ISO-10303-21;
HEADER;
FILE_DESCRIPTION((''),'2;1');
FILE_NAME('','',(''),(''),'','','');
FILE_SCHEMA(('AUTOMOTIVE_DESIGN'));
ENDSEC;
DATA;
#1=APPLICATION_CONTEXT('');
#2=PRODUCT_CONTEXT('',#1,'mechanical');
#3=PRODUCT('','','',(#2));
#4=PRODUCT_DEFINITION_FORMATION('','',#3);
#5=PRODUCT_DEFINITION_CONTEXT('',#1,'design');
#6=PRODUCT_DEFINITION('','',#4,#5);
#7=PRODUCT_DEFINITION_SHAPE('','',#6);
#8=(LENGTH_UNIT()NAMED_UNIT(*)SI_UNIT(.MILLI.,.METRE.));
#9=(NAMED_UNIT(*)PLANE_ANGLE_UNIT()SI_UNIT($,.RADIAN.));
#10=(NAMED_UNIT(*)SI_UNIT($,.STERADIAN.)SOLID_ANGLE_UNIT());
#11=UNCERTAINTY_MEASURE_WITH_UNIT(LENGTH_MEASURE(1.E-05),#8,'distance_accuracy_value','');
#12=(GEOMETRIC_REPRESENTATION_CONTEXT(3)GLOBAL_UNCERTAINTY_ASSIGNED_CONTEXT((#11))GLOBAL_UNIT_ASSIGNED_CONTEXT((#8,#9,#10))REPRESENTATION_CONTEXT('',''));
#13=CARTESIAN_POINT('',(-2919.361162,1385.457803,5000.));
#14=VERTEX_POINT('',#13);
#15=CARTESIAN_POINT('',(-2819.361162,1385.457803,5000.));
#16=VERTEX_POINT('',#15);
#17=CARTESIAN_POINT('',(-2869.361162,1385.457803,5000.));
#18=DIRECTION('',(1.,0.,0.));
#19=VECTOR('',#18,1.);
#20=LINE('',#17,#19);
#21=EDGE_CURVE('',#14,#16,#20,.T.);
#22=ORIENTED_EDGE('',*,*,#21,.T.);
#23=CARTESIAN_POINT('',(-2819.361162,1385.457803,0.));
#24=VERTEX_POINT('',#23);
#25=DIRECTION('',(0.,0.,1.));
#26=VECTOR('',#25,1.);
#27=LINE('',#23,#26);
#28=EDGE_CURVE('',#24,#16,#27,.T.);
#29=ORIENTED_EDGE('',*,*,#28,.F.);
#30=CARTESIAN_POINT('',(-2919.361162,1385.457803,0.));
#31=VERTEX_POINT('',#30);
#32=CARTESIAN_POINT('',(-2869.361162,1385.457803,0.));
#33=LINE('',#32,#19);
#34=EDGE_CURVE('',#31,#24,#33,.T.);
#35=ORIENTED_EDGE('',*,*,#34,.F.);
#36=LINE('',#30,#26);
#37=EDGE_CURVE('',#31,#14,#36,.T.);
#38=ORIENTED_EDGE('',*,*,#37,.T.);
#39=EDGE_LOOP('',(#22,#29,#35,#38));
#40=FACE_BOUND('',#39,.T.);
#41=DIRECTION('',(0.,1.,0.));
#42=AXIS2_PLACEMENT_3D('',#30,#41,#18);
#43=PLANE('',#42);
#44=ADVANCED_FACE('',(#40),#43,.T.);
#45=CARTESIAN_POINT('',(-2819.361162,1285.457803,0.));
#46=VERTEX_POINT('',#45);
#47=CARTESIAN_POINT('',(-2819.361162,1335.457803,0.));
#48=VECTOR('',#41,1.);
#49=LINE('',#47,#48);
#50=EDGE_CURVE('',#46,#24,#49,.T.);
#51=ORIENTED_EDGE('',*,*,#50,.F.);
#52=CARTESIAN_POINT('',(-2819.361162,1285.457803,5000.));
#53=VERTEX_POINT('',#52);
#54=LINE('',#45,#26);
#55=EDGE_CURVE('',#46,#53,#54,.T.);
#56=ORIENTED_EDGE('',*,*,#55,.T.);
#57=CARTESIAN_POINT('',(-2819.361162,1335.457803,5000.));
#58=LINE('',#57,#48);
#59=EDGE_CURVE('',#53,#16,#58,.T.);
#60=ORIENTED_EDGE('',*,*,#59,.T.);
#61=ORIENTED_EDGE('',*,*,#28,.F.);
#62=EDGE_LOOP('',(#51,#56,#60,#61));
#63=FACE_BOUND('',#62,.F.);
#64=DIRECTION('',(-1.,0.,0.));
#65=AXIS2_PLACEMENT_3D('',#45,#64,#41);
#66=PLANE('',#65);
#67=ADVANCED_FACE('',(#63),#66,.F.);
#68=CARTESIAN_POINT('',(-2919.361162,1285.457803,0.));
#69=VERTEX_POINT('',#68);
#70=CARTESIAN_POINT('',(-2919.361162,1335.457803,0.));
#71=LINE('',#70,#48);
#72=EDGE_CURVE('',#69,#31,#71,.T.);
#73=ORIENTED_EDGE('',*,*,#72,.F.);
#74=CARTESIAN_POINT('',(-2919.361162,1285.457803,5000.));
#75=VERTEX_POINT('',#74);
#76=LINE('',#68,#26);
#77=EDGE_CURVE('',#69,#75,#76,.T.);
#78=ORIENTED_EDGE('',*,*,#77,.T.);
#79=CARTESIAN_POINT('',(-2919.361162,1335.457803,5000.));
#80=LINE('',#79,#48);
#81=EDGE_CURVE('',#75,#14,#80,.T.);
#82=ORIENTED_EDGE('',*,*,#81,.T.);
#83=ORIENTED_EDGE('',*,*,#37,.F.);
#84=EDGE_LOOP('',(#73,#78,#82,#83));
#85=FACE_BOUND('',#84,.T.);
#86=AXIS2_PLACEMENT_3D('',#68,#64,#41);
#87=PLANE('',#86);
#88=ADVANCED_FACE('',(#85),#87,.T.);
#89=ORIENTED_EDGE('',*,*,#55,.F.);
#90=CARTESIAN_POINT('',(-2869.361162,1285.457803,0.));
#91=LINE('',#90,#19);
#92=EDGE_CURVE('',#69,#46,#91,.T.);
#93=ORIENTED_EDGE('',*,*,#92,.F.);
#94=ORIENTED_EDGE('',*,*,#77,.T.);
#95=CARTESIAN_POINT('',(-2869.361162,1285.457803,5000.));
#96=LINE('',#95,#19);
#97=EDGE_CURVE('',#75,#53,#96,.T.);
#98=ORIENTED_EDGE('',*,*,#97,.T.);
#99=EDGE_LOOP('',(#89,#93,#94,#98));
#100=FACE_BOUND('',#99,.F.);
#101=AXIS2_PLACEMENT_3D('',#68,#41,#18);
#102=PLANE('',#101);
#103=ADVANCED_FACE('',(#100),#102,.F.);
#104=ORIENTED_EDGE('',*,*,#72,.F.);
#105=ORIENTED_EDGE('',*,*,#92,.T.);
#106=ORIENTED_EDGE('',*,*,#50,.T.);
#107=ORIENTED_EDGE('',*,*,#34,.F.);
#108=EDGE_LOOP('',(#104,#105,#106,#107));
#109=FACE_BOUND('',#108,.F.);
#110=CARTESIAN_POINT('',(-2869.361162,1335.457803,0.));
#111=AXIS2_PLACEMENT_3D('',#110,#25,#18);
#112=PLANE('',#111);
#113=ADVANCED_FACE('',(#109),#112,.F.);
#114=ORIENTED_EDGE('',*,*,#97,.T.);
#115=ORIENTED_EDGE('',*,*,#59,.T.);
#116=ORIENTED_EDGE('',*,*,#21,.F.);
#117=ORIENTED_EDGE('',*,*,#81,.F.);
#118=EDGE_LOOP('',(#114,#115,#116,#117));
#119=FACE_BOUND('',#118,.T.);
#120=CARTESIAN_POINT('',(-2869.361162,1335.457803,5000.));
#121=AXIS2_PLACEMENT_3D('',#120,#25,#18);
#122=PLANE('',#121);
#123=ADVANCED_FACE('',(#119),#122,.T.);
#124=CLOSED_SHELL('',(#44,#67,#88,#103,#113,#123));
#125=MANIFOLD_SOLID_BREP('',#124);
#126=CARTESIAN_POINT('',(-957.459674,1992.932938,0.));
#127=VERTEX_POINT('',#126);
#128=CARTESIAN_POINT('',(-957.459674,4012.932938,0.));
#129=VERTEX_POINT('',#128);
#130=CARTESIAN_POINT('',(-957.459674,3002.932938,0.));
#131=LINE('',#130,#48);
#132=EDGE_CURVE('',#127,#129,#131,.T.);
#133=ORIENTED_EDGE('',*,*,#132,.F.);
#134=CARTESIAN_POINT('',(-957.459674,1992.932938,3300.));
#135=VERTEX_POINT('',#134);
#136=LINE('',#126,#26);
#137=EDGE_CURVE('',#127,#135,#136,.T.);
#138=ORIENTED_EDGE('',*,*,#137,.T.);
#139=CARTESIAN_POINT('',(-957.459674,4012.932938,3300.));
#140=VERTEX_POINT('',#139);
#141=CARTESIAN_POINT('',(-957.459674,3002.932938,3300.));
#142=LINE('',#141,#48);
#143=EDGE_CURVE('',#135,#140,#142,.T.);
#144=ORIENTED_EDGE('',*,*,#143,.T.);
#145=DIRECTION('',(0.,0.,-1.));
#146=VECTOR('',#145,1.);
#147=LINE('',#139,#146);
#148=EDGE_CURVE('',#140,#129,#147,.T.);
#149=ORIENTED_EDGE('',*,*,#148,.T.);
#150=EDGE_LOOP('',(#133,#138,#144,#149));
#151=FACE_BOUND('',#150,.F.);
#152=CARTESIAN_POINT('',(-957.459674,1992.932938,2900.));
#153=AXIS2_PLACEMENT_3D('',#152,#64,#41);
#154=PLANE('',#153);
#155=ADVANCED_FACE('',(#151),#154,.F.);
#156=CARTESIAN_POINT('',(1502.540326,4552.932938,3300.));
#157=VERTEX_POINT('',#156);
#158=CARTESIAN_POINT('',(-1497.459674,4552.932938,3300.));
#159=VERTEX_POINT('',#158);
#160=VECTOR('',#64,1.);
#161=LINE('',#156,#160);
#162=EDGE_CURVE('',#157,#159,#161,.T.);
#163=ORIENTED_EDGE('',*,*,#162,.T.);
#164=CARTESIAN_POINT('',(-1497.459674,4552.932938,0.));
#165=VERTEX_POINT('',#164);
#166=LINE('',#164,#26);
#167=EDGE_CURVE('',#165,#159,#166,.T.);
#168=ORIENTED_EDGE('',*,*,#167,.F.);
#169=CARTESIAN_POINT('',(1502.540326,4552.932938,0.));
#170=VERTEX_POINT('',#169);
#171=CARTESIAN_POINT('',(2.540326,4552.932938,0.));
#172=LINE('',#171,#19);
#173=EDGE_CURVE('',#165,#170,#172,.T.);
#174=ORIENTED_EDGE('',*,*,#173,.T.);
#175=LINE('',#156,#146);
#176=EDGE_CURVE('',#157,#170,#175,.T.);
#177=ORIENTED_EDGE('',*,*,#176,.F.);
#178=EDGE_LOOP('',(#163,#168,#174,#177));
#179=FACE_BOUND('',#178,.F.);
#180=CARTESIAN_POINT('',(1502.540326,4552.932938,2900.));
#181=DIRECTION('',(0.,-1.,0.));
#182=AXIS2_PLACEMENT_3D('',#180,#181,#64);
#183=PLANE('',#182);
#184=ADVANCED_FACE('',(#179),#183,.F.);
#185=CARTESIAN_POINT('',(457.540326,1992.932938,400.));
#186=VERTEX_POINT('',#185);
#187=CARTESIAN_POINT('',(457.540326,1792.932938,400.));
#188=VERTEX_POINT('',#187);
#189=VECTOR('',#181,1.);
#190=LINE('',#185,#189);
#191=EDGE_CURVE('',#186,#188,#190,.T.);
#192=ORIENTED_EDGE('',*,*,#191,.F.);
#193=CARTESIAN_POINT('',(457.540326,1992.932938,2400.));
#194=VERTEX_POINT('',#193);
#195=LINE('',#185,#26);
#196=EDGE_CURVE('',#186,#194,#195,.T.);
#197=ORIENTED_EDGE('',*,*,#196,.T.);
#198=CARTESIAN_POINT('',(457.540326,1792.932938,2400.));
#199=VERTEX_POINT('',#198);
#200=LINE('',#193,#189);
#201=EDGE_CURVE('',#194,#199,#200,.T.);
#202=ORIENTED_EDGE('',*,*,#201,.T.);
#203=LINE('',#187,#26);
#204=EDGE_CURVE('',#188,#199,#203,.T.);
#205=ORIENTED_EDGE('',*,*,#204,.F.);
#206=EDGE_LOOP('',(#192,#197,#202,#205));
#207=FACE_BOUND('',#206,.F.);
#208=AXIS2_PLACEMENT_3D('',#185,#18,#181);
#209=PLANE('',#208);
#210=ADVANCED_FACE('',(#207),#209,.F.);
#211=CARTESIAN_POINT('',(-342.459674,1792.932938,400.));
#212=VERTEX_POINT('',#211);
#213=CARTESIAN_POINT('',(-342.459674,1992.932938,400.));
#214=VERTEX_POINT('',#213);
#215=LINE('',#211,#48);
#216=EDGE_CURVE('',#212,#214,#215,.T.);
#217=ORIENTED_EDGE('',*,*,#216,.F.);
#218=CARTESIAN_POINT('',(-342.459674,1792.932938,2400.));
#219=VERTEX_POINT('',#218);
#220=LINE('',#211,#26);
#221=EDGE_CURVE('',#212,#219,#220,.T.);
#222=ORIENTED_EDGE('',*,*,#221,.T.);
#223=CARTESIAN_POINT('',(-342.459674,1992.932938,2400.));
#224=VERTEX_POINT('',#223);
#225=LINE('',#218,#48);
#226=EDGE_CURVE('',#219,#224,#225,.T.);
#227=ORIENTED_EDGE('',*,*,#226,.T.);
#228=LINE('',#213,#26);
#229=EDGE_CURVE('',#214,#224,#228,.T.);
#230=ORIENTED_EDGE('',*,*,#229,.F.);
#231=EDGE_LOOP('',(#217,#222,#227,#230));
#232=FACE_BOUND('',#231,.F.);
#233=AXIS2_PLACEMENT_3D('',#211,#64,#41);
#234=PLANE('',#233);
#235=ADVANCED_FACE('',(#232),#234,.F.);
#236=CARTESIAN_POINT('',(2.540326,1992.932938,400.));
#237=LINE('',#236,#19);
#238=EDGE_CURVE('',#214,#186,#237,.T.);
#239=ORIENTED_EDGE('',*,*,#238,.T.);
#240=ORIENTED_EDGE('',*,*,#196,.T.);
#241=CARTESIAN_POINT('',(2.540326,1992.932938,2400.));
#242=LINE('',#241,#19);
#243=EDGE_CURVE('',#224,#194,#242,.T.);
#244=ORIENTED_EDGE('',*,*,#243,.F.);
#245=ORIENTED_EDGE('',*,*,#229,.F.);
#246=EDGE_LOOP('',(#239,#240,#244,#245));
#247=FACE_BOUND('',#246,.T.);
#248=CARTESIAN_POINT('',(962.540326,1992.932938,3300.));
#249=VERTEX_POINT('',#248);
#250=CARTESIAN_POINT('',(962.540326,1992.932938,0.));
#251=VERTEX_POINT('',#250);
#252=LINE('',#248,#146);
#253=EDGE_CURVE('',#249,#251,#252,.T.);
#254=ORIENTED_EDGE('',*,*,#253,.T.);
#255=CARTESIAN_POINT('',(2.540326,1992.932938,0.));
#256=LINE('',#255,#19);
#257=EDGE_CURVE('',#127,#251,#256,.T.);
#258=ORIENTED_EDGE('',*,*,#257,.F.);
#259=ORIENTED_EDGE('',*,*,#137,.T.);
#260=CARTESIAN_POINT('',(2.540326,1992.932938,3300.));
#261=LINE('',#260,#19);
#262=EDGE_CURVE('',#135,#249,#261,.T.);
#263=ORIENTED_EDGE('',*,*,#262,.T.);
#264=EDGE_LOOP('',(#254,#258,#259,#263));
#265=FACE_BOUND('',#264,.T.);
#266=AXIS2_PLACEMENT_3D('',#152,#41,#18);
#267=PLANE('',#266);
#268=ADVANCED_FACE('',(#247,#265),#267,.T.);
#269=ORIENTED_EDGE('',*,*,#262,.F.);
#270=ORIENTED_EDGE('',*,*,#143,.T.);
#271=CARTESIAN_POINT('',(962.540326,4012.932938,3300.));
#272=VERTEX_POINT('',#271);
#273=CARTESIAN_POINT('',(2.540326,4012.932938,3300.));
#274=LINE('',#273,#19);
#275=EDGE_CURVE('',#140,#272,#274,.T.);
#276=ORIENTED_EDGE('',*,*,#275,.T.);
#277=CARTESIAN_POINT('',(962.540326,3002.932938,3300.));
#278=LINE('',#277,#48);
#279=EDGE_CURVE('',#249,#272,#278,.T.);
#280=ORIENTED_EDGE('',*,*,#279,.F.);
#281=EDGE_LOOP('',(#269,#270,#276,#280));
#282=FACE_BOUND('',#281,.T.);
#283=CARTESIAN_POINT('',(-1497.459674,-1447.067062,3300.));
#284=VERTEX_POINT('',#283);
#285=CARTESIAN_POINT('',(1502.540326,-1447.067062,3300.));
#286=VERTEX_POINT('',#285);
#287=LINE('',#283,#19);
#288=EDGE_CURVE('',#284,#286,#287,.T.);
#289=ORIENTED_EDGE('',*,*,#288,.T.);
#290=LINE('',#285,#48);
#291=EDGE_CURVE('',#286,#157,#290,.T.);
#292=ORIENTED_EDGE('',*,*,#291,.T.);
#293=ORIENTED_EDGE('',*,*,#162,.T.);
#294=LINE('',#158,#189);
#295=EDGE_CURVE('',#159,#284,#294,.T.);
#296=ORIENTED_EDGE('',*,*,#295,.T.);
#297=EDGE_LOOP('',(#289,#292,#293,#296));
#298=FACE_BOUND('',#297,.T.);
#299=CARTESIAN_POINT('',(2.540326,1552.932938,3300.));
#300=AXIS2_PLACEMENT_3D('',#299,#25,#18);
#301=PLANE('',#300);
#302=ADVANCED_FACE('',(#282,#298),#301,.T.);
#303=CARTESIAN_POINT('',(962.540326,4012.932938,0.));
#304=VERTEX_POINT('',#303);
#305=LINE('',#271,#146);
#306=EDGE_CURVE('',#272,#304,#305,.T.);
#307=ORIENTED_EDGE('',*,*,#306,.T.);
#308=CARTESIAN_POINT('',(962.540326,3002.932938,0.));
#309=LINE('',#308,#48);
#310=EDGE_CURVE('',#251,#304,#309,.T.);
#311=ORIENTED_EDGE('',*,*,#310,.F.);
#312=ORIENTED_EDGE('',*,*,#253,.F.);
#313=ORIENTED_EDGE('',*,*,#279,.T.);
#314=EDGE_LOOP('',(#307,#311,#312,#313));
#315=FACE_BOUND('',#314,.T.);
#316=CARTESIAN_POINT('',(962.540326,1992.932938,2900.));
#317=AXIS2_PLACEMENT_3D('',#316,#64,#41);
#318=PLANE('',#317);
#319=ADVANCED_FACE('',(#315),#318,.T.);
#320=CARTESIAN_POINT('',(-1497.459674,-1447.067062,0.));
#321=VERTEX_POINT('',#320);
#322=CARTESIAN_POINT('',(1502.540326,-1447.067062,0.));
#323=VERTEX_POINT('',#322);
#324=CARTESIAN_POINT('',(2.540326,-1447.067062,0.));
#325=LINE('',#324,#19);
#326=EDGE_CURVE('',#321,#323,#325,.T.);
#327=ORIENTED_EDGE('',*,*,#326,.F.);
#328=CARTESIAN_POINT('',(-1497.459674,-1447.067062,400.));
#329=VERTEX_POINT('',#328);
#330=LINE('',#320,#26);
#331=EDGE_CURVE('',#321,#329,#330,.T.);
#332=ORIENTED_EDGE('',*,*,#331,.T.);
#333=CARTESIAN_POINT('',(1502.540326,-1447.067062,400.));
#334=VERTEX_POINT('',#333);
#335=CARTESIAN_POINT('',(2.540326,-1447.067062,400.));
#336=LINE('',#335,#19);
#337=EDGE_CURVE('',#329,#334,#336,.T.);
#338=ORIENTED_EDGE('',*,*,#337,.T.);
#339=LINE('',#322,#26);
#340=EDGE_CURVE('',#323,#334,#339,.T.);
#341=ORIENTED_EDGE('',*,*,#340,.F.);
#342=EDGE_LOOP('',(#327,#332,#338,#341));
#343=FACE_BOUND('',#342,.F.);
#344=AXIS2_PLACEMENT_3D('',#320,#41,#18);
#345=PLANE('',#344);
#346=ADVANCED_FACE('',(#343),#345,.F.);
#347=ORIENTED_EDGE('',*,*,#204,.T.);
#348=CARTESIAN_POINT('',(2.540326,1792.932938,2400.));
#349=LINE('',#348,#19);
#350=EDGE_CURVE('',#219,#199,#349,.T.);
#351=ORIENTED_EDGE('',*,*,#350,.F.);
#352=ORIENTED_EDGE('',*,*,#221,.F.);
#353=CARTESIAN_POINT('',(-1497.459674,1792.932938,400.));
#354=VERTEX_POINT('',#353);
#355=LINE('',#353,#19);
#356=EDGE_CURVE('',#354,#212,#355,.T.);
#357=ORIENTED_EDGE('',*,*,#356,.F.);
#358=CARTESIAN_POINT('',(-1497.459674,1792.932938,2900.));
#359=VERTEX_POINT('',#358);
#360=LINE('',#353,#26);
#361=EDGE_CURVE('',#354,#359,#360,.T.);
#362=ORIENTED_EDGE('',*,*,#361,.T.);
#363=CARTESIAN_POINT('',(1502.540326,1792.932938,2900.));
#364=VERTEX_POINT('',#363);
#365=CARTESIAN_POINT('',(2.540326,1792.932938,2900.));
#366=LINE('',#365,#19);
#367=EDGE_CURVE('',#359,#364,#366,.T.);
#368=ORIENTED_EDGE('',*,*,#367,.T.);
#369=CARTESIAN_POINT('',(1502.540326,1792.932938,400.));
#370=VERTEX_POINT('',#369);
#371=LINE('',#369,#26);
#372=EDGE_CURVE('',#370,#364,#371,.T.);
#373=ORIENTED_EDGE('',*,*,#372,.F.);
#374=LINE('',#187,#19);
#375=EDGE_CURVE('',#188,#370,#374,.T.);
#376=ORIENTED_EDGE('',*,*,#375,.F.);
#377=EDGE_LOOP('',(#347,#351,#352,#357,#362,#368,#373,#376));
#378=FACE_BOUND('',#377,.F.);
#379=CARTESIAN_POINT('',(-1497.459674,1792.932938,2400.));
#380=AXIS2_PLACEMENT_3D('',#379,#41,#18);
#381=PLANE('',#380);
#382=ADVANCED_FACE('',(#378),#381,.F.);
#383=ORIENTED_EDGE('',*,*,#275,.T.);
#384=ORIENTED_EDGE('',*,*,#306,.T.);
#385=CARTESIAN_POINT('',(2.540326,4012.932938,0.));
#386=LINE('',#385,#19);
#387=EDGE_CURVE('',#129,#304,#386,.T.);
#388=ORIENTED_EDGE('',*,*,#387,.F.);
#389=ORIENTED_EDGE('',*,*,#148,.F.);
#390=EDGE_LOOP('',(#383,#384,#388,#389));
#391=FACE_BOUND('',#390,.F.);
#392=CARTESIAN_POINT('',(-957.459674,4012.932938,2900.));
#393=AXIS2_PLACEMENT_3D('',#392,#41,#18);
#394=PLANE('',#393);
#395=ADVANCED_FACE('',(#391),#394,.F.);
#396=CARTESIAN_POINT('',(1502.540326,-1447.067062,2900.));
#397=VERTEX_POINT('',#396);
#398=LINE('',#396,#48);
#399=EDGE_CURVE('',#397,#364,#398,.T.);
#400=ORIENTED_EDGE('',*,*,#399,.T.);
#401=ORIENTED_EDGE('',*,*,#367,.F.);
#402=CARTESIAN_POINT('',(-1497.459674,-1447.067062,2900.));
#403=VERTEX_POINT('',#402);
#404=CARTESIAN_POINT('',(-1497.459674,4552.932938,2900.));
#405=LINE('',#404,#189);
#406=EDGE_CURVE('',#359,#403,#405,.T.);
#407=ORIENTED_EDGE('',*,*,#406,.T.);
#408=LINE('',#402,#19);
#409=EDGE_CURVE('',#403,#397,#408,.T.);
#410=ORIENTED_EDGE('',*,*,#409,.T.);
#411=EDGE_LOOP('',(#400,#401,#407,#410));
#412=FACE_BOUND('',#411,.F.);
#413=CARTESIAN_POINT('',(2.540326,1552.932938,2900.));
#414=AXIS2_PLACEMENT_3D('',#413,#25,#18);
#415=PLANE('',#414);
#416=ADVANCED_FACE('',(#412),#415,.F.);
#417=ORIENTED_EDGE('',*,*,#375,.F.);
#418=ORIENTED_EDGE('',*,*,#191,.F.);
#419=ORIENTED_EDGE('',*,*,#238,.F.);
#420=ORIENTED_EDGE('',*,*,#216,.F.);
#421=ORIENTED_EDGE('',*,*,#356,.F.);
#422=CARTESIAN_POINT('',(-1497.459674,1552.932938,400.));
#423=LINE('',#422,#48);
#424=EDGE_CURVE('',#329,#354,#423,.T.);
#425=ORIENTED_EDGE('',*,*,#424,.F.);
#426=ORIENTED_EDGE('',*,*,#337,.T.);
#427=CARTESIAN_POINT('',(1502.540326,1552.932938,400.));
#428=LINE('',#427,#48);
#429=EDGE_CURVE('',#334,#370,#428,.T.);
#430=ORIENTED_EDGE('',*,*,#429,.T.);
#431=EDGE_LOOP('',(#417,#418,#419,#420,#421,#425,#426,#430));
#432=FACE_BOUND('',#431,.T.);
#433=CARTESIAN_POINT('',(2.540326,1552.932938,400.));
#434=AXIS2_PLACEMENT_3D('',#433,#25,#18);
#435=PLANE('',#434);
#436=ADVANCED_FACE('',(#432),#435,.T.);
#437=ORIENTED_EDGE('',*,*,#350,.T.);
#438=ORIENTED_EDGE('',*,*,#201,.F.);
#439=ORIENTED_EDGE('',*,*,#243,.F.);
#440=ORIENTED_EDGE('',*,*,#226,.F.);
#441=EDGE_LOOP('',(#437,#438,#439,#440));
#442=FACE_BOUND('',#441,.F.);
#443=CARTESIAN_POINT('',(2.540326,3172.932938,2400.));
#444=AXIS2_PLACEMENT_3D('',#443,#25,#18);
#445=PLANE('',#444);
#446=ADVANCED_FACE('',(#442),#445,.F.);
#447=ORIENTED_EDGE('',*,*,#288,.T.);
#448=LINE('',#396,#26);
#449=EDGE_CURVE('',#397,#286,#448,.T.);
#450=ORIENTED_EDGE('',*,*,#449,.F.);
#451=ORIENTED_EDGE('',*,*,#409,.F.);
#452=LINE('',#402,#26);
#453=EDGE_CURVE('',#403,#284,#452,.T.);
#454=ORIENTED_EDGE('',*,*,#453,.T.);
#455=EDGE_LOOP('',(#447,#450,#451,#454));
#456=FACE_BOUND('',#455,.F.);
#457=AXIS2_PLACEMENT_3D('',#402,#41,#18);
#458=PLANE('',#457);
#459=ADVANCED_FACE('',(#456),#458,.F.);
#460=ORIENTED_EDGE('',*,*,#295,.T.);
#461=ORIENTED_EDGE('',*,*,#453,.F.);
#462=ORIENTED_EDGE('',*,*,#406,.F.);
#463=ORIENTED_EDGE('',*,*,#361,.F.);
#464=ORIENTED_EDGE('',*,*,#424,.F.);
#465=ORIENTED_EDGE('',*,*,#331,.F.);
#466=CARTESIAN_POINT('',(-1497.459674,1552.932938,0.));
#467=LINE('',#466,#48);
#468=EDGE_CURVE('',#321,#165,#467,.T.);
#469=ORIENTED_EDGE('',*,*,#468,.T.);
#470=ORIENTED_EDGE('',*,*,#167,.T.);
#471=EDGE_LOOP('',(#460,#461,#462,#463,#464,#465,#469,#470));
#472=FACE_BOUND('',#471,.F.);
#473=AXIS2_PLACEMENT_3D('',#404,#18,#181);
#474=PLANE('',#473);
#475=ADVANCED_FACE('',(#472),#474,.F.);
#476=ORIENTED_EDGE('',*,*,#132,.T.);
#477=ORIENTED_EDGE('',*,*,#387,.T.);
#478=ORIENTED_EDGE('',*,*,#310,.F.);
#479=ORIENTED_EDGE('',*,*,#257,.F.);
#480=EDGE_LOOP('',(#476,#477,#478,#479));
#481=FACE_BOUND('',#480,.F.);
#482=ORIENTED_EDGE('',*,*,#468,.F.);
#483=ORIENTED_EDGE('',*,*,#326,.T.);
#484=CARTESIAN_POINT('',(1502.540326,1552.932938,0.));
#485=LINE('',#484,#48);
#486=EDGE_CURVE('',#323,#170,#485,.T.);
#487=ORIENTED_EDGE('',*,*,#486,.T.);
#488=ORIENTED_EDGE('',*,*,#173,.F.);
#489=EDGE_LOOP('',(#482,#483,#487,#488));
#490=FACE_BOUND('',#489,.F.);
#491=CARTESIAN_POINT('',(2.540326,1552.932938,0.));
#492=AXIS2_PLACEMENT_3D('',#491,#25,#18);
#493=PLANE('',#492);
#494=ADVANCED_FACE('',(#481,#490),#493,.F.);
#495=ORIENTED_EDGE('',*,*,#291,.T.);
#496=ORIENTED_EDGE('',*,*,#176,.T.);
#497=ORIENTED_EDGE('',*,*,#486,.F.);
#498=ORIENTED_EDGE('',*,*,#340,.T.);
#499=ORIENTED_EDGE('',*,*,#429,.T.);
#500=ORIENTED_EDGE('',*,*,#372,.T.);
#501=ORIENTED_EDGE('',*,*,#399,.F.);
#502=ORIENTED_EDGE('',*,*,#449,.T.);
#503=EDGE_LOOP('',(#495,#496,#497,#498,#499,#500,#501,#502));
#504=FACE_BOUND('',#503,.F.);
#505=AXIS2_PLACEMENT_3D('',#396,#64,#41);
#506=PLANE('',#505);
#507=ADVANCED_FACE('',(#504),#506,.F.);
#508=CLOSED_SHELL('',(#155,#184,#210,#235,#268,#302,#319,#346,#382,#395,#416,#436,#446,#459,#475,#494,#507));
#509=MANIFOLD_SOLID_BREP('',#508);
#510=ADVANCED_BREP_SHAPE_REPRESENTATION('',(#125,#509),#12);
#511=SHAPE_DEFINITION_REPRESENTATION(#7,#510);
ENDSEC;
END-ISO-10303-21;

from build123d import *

# Parameters (mm, degrees)
F0_W     = 3000
F0_H     = 6000
F0_W_2   = 1920
F0_H_2   = 2020
F1_DEPTH = 400
F3_DEPTH = 2000
F4_W     = 3000
F4_H     = 2760
F4_W_2   = 1920
F4_H_2   = 2020
F5_DEPTH = 500
F6_W     = 1920
F6_H     = 2020
F7_DEPTH = 400
F8_W     = 100
F8_H     = 100
F9_DEPTH = 5000


with BuildPart() as f1:
    # F0 (on Top) → F1 (new body)
    with BuildSketch(Plane.XY):
        with Locations((2.540326, 1552.932938)):
            Rectangle(F0_W, F0_H)
        with Locations((2.540326, 3002.932938)):
            Rectangle(F0_W_2, F0_H_2, mode=Mode.SUBTRACT)
    extrude(amount=F1_DEPTH)

    # F2 (on face) → F3 (join)
    with BuildSketch(Plane.XY.offset(400)):
        Polygon((1502.540326, 4552.932938), (-1497.459674, 4552.932938), (-1497.459674, 1792.932938), (-342.459674, 1792.932938), (-342.459674, 1992.932938), (-957.459674, 1992.932938), (-957.459674, 4012.932938), (962.540326, 4012.932938), (962.540326, 1992.932938), (457.540326, 1992.932938), (457.540326, 1792.932938), (1502.540326, 1792.932938), align=None)
    extrude(amount=F3_DEPTH)

    # F4 (on face) → F5 (join)
    with BuildSketch(Plane.XY.offset(2400)):
        with Locations((2.540326, 3172.932938)):
            Rectangle(F4_W, F4_H)
        with Locations((2.540326, 3002.932938)):
            Rectangle(F4_W_2, F4_H_2, mode=Mode.SUBTRACT)
    extrude(amount=F5_DEPTH)

    # F6 (on face) → F7 (join)
    with BuildSketch(Plane.XY.offset(2900)):
        Polygon((1502.540326, 4552.932938), (-1497.459674, 4552.932938), (-1497.459674, 1792.932938), (-1497.459674, -1447.067062), (1502.540326, -1447.067062), (1502.540326, 1792.932938), align=None)
        with Locations((2.540326, 3002.932938)):
            Rectangle(F6_W, F6_H, mode=Mode.SUBTRACT)
    extrude(amount=F7_DEPTH)


with BuildPart() as f9:
    # F8 (on Top) → F9 (new body)
    with BuildSketch(Plane.XY):
        with Locations((-2869.361162, 1335.457803)):
            Rectangle(F8_W, F8_H)
    extrude(amount=F9_DEPTH)


solid = Compound([f1.part, f9.part])
